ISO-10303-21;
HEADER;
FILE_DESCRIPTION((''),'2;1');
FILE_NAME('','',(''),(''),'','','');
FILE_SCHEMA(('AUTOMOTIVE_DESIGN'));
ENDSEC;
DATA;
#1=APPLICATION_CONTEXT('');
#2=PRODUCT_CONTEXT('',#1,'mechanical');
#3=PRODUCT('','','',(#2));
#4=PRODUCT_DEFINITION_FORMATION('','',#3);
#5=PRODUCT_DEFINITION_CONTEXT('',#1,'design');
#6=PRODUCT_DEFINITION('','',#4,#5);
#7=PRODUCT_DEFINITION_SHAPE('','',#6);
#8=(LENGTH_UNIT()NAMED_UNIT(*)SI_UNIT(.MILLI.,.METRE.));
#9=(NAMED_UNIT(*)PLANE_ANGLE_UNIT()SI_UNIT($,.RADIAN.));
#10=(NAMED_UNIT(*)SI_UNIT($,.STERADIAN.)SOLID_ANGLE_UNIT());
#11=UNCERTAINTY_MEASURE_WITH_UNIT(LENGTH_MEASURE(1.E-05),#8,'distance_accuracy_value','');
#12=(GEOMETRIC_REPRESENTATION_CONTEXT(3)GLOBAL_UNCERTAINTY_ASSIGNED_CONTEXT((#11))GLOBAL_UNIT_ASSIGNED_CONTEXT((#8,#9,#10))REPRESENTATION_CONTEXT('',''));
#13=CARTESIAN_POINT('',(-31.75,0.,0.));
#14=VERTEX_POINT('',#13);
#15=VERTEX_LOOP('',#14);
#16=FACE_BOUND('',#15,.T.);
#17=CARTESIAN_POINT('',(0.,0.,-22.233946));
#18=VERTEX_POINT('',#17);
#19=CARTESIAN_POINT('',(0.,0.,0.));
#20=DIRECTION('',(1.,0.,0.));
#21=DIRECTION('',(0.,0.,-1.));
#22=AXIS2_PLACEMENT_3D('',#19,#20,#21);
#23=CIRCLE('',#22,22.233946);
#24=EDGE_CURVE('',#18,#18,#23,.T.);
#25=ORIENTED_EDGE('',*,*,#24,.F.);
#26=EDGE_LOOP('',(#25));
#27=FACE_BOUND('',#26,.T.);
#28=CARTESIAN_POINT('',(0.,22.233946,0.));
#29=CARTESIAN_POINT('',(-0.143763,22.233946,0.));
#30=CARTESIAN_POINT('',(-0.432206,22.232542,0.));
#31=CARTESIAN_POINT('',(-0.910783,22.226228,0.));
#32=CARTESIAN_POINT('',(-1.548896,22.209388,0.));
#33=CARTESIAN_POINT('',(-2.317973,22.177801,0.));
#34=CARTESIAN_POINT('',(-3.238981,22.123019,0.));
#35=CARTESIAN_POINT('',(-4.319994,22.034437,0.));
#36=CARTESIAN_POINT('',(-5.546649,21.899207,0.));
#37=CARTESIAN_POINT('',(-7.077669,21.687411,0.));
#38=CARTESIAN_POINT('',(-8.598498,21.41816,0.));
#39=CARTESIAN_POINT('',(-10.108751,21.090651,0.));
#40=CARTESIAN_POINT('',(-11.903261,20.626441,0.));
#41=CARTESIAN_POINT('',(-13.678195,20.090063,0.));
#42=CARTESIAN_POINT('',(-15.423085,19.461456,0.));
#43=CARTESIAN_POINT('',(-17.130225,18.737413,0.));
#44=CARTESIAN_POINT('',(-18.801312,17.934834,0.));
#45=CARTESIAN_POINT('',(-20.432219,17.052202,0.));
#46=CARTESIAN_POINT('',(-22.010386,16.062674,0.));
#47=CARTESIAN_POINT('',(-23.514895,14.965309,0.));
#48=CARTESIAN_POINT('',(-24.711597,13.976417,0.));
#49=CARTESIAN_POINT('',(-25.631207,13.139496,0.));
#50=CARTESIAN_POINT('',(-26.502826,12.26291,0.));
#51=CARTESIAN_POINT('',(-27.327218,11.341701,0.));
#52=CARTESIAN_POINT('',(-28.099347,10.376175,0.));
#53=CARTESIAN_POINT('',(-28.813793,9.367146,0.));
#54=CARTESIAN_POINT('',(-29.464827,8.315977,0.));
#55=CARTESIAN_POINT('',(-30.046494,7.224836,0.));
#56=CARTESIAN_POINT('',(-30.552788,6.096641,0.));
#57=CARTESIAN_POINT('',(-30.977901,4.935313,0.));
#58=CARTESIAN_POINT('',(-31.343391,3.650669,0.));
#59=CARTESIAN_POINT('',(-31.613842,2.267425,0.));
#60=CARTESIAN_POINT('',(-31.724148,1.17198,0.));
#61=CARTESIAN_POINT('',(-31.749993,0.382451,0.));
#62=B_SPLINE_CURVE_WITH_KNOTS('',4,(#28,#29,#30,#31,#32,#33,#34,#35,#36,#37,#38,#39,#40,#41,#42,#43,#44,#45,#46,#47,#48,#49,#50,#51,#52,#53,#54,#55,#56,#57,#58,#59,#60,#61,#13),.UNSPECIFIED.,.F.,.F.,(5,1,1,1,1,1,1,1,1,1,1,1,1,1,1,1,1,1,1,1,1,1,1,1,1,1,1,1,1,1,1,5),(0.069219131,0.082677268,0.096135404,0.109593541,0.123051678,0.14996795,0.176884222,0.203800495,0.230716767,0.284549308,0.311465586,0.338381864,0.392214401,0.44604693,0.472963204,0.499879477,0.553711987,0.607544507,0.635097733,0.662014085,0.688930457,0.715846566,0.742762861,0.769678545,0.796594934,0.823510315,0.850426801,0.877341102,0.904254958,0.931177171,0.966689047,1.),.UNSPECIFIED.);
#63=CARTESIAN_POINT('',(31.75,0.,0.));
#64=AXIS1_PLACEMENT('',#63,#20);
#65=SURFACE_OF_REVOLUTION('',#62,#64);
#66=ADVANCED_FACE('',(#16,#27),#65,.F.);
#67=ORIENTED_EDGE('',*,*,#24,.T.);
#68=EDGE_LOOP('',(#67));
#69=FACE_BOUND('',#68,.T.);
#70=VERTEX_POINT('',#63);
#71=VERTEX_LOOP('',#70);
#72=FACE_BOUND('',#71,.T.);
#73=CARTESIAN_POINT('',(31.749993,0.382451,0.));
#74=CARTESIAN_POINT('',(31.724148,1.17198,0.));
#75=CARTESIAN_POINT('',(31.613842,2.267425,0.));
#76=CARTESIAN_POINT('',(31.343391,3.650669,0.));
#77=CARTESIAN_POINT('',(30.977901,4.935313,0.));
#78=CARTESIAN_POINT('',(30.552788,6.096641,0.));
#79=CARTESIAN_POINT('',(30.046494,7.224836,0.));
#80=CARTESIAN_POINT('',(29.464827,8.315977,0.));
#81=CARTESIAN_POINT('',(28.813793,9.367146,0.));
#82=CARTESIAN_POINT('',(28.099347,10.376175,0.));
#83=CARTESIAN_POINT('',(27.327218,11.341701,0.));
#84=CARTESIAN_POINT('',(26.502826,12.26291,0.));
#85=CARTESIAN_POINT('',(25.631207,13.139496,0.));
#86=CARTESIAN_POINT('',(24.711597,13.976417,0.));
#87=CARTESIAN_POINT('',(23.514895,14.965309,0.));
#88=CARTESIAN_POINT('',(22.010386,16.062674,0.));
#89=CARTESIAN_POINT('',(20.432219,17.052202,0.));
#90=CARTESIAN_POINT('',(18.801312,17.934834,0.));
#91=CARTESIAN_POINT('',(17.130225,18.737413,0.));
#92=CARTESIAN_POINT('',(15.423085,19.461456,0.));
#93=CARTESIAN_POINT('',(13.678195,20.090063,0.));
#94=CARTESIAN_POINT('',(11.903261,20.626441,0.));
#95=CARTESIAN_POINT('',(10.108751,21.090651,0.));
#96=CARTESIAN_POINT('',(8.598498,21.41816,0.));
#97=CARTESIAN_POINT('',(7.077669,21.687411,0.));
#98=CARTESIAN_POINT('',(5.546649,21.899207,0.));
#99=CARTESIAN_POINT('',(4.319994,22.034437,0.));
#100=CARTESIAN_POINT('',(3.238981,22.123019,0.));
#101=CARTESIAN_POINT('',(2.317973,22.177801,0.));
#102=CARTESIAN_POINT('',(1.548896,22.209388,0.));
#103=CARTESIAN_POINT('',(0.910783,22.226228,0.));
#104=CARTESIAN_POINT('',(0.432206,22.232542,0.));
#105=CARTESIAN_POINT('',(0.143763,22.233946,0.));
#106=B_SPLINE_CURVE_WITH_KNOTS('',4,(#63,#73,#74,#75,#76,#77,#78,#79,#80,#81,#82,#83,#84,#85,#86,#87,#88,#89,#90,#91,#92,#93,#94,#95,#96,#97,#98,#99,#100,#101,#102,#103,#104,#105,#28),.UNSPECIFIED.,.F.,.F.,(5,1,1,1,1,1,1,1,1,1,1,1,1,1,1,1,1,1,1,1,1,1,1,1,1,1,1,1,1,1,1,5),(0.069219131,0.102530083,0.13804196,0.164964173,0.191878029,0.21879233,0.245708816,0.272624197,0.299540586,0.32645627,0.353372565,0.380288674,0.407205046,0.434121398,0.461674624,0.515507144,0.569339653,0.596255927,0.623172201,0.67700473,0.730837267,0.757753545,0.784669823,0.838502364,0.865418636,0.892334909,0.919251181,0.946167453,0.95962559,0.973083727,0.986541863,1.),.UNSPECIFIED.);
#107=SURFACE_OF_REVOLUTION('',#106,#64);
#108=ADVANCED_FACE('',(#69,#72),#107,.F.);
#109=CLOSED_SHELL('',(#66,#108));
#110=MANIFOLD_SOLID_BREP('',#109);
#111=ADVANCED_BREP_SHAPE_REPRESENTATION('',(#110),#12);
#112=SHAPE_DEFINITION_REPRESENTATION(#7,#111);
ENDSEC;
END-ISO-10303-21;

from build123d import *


with BuildPart() as part:
    # Sketch1 → Revolve1 (revolve)
    with BuildSketch(Plane.XY):
        with BuildLine():
            Line((31.75, 0), (-31.75, 0))
            add(Edge.make_bspline(
                [(0, 22.23394555), (-0.143762843, 22.23394555), (-0.432206158, 22.232542441), (-0.910783322, 22.226228355), (-1.548896024, 22.209387558), (-2.317972602, 22.177800701), (-3.238981396, 22.123019234), (-4.319993914, 22.034436887), (-5.54664921, 21.899206566), (-7.07766942, 21.687410825), (-8.598498447, 21.418159929), (-10.108750769, 21.090651254), (-11.903261161, 20.626441442), (-13.678194871, 20.090063329), (-15.42308502, 19.46145641), (-17.130225135, 18.737413175), (-18.801312296, 17.934833955), (-20.432219209, 17.052201547), (-22.010385776, 16.062674053), (-23.51489457, 14.965308784), (-24.711596518, 13.976417446), (-25.631207002, 13.139496207), (-26.502825554, 12.262909571), (-27.327217604, 11.341700533), (-28.099347313, 10.376175404), (-28.813792855, 9.367146335), (-29.464827321, 8.315977253), (-30.046494258, 7.224835718), (-30.552787597, 6.096641183), (-30.977901101, 4.93531335), (-31.343391494, 3.650668598), (-31.613842491, 2.267424937), (-31.724147646, 1.171980021), (-31.749992916, 0.382451312), (-31.75, 0)],
                knots=[0.069219131, 0.069219131, 0.069219131, 0.069219131, 0.069219131, 0.082677268, 0.096135404, 0.109593541, 0.123051678, 0.14996795, 0.176884222, 0.203800495, 0.230716767, 0.284549308, 0.311465586, 0.338381864, 0.392214401, 0.44604693, 0.472963204, 0.499879477, 0.553711987, 0.607544507, 0.635097733, 0.662014085, 0.688930457, 0.715846566, 0.742762861, 0.769678545, 0.796594934, 0.823510315, 0.850426801, 0.877341102, 0.904254958, 0.931177171, 0.966689047, 1, 1, 1, 1, 1], degree=4))
            add(Edge.make_bspline(
                [(0, 22.23394555), (0.143762843, 22.23394555), (0.432206158, 22.232542441), (0.910783322, 22.226228355), (1.548896024, 22.209387558), (2.317972602, 22.177800701), (3.238981396, 22.123019234), (4.319993914, 22.034436887), (5.54664921, 21.899206566), (7.07766942, 21.687410825), (8.598498447, 21.418159929), (10.108750769, 21.090651254), (11.903261161, 20.626441442), (13.678194871, 20.090063329), (15.42308502, 19.46145641), (17.130225135, 18.737413175), (18.801312296, 17.934833955), (20.432219209, 17.052201547), (22.010385776, 16.062674053), (23.51489457, 14.965308784), (24.711596518, 13.976417446), (25.631207002, 13.139496207), (26.502825554, 12.262909571), (27.327217604, 11.341700533), (28.099347313, 10.376175404), (28.813792855, 9.367146335), (29.464827321, 8.315977253), (30.046494258, 7.224835718), (30.552787597, 6.096641183), (30.977901101, 4.93531335), (31.343391494, 3.650668598), (31.613842491, 2.267424937), (31.724147646, 1.171980021), (31.749992916, 0.382451312), (31.75, 0)],
                knots=[0.069219131, 0.069219131, 0.069219131, 0.069219131, 0.069219131, 0.082677268, 0.096135404, 0.109593541, 0.123051678, 0.14996795, 0.176884222, 0.203800495, 0.230716767, 0.284549308, 0.311465586, 0.338381864, 0.392214401, 0.44604693, 0.472963204, 0.499879477, 0.553711987, 0.607544507, 0.635097733, 0.662014085, 0.688930457, 0.715846566, 0.742762861, 0.769678545, 0.796594934, 0.823510315, 0.850426801, 0.877341102, 0.904254958, 0.931177171, 0.966689047, 1, 1, 1, 1, 1], degree=4))
        make_face()
    revolve(axis=Axis((31.75, 0, 0), (-1, 0, 0)))


solid = part.part
